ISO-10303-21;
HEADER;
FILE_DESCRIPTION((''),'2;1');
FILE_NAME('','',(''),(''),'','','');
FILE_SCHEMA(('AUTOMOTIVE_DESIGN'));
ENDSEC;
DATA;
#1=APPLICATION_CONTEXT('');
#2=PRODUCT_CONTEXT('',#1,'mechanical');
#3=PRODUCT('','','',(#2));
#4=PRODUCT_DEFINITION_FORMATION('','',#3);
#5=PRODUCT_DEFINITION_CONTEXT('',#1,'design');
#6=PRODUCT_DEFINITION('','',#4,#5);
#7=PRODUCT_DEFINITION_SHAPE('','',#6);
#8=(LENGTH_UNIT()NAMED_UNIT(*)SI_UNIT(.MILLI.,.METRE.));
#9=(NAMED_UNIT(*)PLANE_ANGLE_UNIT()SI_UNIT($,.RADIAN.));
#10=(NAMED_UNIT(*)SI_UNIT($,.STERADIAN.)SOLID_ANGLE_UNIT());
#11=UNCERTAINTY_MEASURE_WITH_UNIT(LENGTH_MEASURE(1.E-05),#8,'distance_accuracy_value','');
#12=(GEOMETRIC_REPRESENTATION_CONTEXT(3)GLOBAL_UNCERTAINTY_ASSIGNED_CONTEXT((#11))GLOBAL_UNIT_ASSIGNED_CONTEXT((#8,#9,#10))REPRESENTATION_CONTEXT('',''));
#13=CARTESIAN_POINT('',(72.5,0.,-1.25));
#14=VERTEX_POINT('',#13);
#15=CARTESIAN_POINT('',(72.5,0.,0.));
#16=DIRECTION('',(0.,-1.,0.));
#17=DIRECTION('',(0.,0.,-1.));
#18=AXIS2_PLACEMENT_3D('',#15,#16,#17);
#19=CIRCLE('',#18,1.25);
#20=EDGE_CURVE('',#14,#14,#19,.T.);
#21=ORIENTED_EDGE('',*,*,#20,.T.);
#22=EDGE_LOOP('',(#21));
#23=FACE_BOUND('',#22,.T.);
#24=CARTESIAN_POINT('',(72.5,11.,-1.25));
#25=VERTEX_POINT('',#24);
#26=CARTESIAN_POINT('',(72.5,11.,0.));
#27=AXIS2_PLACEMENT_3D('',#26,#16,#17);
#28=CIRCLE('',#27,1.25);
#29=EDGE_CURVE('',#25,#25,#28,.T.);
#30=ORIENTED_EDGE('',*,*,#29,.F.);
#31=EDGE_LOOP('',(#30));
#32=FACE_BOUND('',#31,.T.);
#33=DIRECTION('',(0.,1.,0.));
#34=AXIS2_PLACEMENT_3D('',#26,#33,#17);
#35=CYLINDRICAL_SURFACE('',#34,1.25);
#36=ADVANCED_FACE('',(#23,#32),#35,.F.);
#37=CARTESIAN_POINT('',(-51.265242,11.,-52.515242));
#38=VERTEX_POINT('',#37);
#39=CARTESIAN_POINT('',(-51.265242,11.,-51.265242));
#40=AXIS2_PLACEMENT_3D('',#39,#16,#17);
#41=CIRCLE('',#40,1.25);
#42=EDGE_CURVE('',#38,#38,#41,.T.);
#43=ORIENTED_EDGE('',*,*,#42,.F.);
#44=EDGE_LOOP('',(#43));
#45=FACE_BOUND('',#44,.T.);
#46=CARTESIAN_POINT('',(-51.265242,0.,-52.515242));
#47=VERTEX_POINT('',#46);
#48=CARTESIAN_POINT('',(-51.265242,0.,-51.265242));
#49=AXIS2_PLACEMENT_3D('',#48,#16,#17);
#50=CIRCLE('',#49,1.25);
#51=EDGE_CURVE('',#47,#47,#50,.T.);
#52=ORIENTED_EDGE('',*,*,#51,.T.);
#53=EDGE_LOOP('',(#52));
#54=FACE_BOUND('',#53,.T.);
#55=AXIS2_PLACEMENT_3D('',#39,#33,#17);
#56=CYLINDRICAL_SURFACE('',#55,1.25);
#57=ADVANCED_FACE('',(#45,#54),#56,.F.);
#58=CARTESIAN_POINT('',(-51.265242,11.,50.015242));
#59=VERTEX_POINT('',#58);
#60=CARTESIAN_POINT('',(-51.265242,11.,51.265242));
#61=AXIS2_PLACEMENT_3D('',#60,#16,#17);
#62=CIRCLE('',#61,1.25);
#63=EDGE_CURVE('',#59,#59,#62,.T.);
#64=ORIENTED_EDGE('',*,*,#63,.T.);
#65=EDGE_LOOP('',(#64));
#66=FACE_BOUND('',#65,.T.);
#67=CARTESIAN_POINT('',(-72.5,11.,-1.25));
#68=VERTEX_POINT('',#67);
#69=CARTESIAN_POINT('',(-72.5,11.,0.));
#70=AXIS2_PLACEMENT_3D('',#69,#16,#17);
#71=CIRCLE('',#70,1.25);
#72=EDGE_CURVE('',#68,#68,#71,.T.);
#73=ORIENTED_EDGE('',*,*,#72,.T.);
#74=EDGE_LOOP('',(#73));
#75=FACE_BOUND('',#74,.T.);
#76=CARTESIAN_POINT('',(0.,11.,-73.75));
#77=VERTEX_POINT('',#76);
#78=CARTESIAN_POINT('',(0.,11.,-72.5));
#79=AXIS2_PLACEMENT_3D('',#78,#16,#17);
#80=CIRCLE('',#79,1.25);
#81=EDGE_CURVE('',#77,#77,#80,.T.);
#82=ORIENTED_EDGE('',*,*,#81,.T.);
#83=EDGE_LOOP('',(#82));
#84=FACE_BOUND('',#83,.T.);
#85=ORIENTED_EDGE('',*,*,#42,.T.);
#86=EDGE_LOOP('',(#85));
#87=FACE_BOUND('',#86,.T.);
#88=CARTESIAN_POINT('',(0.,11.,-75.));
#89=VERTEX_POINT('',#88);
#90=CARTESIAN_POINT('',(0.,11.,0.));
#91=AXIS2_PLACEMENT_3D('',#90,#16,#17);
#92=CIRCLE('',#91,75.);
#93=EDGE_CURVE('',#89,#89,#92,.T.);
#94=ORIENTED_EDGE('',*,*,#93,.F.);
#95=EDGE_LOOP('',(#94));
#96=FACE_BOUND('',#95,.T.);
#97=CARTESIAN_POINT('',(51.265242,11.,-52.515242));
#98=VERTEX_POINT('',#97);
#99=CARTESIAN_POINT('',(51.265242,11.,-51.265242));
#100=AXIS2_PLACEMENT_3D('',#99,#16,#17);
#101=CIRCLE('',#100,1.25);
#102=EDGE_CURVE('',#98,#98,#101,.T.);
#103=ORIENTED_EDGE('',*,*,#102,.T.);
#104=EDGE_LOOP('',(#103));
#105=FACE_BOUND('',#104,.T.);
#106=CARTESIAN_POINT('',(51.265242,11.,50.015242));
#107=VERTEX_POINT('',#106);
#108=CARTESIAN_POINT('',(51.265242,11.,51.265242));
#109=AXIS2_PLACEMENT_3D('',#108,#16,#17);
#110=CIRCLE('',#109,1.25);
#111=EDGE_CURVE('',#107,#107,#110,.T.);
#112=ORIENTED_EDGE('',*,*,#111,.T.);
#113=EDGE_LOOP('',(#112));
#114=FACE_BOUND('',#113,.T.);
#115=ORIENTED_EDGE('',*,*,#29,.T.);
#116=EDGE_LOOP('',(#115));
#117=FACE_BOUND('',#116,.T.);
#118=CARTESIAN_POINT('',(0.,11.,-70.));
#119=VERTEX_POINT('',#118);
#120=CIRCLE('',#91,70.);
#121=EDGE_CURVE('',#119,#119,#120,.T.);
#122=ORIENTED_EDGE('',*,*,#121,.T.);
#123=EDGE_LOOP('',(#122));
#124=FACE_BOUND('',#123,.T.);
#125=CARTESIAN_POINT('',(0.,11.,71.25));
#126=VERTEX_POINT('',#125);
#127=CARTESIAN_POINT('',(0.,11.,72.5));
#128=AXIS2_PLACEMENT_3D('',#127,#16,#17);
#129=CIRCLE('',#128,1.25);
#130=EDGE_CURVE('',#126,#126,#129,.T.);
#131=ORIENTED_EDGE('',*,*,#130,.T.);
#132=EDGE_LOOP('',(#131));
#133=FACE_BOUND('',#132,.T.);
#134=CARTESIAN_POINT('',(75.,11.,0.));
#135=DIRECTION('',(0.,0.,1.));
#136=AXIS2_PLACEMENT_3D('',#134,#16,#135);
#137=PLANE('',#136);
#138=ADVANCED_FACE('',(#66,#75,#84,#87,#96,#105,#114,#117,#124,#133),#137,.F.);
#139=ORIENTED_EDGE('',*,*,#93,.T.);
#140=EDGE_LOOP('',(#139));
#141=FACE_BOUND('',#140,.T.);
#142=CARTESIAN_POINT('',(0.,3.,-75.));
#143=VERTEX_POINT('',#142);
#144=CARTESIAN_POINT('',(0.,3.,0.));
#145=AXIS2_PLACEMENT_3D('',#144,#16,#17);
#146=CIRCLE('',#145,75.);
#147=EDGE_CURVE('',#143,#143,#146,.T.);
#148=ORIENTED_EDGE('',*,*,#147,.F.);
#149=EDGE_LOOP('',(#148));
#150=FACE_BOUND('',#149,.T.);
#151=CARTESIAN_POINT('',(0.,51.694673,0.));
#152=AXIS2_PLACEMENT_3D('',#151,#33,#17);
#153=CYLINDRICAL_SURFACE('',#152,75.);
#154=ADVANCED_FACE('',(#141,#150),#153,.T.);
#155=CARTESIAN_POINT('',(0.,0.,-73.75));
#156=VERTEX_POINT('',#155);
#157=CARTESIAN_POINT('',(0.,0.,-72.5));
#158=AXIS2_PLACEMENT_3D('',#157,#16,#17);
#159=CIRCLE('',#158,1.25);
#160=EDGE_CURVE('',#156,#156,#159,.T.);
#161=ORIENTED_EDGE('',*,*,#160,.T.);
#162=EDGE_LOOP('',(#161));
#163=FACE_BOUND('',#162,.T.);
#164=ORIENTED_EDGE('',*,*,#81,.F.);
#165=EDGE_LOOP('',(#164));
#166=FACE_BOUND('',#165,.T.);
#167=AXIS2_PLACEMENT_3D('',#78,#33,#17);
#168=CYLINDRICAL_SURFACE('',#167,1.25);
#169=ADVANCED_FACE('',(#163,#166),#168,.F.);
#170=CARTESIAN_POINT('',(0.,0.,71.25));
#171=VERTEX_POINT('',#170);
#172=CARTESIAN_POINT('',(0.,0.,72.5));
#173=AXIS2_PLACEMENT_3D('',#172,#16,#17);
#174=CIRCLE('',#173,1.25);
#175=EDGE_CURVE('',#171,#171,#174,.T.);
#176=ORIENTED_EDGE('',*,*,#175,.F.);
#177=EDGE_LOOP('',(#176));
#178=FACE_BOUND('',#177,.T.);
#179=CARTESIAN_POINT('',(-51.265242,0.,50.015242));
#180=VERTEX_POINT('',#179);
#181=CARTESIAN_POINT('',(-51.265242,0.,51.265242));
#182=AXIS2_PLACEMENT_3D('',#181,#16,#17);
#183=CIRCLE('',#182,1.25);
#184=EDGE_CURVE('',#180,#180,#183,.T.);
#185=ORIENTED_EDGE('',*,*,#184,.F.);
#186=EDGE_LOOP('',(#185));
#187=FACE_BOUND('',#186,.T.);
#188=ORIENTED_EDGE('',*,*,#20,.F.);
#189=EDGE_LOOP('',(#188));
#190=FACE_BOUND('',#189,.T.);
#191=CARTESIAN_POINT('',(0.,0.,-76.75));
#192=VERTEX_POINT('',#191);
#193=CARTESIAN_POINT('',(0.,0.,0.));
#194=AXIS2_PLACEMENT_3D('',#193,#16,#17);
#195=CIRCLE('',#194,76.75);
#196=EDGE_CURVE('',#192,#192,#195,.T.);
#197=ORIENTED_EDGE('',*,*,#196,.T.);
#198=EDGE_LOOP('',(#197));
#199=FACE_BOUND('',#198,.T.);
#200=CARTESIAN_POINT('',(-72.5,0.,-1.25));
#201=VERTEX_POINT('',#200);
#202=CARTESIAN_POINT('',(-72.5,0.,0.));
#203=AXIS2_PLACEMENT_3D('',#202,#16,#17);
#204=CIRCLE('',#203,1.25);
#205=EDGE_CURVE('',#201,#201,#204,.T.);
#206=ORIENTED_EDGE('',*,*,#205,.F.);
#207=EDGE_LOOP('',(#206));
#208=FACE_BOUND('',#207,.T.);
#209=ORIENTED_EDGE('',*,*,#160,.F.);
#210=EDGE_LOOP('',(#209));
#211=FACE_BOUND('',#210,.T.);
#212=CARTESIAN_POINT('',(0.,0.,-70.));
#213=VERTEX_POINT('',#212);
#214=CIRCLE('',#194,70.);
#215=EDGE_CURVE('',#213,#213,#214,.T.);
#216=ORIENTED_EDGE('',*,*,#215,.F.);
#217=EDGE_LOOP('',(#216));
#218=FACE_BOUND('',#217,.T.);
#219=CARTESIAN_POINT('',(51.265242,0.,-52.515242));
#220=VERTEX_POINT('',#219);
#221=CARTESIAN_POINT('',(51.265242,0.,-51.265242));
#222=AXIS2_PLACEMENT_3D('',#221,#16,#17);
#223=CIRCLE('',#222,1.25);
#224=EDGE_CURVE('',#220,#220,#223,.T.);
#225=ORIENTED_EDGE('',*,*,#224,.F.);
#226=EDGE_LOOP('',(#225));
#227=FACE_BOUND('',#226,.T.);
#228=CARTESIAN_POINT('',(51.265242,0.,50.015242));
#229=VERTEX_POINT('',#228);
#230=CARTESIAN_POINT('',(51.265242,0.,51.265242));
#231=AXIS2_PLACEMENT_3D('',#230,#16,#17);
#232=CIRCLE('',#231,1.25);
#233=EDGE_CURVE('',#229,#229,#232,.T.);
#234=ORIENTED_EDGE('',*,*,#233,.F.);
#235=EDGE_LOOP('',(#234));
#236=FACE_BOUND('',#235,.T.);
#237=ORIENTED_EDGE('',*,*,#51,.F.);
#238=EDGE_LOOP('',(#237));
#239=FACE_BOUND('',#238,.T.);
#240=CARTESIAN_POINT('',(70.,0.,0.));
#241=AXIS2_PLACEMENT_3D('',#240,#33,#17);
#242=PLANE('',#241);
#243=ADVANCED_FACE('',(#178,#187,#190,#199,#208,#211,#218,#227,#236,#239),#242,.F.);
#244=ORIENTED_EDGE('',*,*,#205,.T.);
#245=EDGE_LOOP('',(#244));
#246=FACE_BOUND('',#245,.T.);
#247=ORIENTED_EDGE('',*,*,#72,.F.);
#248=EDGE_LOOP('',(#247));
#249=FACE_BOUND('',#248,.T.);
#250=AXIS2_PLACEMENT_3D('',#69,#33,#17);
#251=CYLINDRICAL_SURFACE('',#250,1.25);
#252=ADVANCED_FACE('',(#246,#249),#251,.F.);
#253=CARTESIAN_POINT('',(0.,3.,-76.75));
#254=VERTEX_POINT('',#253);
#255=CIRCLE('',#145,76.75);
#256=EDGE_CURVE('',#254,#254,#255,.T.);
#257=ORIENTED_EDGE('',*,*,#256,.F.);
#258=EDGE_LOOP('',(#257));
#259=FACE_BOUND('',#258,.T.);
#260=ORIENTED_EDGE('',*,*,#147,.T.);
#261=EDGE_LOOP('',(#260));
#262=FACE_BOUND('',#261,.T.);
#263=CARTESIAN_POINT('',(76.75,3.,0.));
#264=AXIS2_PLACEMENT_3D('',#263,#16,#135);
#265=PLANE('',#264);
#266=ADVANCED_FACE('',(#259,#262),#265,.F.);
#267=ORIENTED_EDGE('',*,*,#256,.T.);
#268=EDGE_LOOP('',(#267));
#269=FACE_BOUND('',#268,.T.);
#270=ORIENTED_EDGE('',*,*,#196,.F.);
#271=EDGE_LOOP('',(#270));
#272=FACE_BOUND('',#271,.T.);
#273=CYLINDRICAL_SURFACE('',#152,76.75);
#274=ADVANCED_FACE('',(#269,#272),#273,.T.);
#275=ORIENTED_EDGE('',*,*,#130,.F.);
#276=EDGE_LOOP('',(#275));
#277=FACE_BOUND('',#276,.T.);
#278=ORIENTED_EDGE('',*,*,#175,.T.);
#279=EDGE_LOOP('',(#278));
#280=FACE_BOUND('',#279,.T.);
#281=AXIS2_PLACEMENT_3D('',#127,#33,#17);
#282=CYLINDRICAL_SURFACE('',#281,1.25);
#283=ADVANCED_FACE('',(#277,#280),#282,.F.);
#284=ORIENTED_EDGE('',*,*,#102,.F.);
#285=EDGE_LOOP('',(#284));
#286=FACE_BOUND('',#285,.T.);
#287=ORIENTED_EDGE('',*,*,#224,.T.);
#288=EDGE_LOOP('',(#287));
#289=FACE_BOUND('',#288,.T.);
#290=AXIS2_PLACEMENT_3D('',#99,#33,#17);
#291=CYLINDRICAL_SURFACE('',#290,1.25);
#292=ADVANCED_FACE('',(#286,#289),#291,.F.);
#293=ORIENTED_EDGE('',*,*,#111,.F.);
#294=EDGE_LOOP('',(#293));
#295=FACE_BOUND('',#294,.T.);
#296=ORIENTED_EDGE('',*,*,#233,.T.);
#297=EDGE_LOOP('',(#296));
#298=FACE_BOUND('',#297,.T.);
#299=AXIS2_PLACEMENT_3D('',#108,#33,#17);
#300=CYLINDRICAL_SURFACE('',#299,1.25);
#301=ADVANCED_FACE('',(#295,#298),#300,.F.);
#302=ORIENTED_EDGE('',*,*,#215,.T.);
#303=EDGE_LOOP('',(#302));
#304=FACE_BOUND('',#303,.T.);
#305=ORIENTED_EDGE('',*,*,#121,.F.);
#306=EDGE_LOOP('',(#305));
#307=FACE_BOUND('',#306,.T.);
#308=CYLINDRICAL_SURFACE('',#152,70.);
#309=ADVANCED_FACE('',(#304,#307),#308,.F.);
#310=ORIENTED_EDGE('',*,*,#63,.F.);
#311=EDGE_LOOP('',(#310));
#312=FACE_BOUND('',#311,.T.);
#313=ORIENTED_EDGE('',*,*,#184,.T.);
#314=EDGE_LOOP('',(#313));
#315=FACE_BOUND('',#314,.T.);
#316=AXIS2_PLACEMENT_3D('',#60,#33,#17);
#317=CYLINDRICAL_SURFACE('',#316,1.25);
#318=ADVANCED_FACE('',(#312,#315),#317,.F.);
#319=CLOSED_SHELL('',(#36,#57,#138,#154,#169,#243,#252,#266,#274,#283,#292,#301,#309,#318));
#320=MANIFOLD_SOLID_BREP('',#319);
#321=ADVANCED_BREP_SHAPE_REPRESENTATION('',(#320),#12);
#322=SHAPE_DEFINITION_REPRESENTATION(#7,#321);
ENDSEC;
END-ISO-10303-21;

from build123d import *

# Parameters (mm, degrees)
HOLE_WIZARD_M3_1_D = 2.5


with BuildPart() as part:
    # 草图1 → 旋转1 (revolve)
    with BuildSketch(Plane.XY, mode=Mode.PRIVATE) as revolve_1_sk:
        Polygon((70, 0), (76.75, 0), (76.75, 3), (75, 3), (75, 11), (70, 11), align=None)
    revolve(revolve_1_sk.sketch.rotate(Axis((0, 51.694672702, 0), (0, -1, 0)), 90), axis=Axis((0, 51.694672702, 0), (0, -1, 0)))

    # M3 螺纹孔1 (through all)
    with Locations(Plane(origin=(0, 11, 0), x_dir=(1, 0, 0), z_dir=(0, 1, 0))):
        with Locations((-51.265241636, 51.265241636), (0, 72.5), (51.265241636, 51.265241636), (72.5, 0), (51.265241636, -51.265241636), (0, -72.5), (-51.265241636, -51.265241636), (-72.5, 0)):
            Hole(HOLE_WIZARD_M3_1_D / 2)


solid = part.part
